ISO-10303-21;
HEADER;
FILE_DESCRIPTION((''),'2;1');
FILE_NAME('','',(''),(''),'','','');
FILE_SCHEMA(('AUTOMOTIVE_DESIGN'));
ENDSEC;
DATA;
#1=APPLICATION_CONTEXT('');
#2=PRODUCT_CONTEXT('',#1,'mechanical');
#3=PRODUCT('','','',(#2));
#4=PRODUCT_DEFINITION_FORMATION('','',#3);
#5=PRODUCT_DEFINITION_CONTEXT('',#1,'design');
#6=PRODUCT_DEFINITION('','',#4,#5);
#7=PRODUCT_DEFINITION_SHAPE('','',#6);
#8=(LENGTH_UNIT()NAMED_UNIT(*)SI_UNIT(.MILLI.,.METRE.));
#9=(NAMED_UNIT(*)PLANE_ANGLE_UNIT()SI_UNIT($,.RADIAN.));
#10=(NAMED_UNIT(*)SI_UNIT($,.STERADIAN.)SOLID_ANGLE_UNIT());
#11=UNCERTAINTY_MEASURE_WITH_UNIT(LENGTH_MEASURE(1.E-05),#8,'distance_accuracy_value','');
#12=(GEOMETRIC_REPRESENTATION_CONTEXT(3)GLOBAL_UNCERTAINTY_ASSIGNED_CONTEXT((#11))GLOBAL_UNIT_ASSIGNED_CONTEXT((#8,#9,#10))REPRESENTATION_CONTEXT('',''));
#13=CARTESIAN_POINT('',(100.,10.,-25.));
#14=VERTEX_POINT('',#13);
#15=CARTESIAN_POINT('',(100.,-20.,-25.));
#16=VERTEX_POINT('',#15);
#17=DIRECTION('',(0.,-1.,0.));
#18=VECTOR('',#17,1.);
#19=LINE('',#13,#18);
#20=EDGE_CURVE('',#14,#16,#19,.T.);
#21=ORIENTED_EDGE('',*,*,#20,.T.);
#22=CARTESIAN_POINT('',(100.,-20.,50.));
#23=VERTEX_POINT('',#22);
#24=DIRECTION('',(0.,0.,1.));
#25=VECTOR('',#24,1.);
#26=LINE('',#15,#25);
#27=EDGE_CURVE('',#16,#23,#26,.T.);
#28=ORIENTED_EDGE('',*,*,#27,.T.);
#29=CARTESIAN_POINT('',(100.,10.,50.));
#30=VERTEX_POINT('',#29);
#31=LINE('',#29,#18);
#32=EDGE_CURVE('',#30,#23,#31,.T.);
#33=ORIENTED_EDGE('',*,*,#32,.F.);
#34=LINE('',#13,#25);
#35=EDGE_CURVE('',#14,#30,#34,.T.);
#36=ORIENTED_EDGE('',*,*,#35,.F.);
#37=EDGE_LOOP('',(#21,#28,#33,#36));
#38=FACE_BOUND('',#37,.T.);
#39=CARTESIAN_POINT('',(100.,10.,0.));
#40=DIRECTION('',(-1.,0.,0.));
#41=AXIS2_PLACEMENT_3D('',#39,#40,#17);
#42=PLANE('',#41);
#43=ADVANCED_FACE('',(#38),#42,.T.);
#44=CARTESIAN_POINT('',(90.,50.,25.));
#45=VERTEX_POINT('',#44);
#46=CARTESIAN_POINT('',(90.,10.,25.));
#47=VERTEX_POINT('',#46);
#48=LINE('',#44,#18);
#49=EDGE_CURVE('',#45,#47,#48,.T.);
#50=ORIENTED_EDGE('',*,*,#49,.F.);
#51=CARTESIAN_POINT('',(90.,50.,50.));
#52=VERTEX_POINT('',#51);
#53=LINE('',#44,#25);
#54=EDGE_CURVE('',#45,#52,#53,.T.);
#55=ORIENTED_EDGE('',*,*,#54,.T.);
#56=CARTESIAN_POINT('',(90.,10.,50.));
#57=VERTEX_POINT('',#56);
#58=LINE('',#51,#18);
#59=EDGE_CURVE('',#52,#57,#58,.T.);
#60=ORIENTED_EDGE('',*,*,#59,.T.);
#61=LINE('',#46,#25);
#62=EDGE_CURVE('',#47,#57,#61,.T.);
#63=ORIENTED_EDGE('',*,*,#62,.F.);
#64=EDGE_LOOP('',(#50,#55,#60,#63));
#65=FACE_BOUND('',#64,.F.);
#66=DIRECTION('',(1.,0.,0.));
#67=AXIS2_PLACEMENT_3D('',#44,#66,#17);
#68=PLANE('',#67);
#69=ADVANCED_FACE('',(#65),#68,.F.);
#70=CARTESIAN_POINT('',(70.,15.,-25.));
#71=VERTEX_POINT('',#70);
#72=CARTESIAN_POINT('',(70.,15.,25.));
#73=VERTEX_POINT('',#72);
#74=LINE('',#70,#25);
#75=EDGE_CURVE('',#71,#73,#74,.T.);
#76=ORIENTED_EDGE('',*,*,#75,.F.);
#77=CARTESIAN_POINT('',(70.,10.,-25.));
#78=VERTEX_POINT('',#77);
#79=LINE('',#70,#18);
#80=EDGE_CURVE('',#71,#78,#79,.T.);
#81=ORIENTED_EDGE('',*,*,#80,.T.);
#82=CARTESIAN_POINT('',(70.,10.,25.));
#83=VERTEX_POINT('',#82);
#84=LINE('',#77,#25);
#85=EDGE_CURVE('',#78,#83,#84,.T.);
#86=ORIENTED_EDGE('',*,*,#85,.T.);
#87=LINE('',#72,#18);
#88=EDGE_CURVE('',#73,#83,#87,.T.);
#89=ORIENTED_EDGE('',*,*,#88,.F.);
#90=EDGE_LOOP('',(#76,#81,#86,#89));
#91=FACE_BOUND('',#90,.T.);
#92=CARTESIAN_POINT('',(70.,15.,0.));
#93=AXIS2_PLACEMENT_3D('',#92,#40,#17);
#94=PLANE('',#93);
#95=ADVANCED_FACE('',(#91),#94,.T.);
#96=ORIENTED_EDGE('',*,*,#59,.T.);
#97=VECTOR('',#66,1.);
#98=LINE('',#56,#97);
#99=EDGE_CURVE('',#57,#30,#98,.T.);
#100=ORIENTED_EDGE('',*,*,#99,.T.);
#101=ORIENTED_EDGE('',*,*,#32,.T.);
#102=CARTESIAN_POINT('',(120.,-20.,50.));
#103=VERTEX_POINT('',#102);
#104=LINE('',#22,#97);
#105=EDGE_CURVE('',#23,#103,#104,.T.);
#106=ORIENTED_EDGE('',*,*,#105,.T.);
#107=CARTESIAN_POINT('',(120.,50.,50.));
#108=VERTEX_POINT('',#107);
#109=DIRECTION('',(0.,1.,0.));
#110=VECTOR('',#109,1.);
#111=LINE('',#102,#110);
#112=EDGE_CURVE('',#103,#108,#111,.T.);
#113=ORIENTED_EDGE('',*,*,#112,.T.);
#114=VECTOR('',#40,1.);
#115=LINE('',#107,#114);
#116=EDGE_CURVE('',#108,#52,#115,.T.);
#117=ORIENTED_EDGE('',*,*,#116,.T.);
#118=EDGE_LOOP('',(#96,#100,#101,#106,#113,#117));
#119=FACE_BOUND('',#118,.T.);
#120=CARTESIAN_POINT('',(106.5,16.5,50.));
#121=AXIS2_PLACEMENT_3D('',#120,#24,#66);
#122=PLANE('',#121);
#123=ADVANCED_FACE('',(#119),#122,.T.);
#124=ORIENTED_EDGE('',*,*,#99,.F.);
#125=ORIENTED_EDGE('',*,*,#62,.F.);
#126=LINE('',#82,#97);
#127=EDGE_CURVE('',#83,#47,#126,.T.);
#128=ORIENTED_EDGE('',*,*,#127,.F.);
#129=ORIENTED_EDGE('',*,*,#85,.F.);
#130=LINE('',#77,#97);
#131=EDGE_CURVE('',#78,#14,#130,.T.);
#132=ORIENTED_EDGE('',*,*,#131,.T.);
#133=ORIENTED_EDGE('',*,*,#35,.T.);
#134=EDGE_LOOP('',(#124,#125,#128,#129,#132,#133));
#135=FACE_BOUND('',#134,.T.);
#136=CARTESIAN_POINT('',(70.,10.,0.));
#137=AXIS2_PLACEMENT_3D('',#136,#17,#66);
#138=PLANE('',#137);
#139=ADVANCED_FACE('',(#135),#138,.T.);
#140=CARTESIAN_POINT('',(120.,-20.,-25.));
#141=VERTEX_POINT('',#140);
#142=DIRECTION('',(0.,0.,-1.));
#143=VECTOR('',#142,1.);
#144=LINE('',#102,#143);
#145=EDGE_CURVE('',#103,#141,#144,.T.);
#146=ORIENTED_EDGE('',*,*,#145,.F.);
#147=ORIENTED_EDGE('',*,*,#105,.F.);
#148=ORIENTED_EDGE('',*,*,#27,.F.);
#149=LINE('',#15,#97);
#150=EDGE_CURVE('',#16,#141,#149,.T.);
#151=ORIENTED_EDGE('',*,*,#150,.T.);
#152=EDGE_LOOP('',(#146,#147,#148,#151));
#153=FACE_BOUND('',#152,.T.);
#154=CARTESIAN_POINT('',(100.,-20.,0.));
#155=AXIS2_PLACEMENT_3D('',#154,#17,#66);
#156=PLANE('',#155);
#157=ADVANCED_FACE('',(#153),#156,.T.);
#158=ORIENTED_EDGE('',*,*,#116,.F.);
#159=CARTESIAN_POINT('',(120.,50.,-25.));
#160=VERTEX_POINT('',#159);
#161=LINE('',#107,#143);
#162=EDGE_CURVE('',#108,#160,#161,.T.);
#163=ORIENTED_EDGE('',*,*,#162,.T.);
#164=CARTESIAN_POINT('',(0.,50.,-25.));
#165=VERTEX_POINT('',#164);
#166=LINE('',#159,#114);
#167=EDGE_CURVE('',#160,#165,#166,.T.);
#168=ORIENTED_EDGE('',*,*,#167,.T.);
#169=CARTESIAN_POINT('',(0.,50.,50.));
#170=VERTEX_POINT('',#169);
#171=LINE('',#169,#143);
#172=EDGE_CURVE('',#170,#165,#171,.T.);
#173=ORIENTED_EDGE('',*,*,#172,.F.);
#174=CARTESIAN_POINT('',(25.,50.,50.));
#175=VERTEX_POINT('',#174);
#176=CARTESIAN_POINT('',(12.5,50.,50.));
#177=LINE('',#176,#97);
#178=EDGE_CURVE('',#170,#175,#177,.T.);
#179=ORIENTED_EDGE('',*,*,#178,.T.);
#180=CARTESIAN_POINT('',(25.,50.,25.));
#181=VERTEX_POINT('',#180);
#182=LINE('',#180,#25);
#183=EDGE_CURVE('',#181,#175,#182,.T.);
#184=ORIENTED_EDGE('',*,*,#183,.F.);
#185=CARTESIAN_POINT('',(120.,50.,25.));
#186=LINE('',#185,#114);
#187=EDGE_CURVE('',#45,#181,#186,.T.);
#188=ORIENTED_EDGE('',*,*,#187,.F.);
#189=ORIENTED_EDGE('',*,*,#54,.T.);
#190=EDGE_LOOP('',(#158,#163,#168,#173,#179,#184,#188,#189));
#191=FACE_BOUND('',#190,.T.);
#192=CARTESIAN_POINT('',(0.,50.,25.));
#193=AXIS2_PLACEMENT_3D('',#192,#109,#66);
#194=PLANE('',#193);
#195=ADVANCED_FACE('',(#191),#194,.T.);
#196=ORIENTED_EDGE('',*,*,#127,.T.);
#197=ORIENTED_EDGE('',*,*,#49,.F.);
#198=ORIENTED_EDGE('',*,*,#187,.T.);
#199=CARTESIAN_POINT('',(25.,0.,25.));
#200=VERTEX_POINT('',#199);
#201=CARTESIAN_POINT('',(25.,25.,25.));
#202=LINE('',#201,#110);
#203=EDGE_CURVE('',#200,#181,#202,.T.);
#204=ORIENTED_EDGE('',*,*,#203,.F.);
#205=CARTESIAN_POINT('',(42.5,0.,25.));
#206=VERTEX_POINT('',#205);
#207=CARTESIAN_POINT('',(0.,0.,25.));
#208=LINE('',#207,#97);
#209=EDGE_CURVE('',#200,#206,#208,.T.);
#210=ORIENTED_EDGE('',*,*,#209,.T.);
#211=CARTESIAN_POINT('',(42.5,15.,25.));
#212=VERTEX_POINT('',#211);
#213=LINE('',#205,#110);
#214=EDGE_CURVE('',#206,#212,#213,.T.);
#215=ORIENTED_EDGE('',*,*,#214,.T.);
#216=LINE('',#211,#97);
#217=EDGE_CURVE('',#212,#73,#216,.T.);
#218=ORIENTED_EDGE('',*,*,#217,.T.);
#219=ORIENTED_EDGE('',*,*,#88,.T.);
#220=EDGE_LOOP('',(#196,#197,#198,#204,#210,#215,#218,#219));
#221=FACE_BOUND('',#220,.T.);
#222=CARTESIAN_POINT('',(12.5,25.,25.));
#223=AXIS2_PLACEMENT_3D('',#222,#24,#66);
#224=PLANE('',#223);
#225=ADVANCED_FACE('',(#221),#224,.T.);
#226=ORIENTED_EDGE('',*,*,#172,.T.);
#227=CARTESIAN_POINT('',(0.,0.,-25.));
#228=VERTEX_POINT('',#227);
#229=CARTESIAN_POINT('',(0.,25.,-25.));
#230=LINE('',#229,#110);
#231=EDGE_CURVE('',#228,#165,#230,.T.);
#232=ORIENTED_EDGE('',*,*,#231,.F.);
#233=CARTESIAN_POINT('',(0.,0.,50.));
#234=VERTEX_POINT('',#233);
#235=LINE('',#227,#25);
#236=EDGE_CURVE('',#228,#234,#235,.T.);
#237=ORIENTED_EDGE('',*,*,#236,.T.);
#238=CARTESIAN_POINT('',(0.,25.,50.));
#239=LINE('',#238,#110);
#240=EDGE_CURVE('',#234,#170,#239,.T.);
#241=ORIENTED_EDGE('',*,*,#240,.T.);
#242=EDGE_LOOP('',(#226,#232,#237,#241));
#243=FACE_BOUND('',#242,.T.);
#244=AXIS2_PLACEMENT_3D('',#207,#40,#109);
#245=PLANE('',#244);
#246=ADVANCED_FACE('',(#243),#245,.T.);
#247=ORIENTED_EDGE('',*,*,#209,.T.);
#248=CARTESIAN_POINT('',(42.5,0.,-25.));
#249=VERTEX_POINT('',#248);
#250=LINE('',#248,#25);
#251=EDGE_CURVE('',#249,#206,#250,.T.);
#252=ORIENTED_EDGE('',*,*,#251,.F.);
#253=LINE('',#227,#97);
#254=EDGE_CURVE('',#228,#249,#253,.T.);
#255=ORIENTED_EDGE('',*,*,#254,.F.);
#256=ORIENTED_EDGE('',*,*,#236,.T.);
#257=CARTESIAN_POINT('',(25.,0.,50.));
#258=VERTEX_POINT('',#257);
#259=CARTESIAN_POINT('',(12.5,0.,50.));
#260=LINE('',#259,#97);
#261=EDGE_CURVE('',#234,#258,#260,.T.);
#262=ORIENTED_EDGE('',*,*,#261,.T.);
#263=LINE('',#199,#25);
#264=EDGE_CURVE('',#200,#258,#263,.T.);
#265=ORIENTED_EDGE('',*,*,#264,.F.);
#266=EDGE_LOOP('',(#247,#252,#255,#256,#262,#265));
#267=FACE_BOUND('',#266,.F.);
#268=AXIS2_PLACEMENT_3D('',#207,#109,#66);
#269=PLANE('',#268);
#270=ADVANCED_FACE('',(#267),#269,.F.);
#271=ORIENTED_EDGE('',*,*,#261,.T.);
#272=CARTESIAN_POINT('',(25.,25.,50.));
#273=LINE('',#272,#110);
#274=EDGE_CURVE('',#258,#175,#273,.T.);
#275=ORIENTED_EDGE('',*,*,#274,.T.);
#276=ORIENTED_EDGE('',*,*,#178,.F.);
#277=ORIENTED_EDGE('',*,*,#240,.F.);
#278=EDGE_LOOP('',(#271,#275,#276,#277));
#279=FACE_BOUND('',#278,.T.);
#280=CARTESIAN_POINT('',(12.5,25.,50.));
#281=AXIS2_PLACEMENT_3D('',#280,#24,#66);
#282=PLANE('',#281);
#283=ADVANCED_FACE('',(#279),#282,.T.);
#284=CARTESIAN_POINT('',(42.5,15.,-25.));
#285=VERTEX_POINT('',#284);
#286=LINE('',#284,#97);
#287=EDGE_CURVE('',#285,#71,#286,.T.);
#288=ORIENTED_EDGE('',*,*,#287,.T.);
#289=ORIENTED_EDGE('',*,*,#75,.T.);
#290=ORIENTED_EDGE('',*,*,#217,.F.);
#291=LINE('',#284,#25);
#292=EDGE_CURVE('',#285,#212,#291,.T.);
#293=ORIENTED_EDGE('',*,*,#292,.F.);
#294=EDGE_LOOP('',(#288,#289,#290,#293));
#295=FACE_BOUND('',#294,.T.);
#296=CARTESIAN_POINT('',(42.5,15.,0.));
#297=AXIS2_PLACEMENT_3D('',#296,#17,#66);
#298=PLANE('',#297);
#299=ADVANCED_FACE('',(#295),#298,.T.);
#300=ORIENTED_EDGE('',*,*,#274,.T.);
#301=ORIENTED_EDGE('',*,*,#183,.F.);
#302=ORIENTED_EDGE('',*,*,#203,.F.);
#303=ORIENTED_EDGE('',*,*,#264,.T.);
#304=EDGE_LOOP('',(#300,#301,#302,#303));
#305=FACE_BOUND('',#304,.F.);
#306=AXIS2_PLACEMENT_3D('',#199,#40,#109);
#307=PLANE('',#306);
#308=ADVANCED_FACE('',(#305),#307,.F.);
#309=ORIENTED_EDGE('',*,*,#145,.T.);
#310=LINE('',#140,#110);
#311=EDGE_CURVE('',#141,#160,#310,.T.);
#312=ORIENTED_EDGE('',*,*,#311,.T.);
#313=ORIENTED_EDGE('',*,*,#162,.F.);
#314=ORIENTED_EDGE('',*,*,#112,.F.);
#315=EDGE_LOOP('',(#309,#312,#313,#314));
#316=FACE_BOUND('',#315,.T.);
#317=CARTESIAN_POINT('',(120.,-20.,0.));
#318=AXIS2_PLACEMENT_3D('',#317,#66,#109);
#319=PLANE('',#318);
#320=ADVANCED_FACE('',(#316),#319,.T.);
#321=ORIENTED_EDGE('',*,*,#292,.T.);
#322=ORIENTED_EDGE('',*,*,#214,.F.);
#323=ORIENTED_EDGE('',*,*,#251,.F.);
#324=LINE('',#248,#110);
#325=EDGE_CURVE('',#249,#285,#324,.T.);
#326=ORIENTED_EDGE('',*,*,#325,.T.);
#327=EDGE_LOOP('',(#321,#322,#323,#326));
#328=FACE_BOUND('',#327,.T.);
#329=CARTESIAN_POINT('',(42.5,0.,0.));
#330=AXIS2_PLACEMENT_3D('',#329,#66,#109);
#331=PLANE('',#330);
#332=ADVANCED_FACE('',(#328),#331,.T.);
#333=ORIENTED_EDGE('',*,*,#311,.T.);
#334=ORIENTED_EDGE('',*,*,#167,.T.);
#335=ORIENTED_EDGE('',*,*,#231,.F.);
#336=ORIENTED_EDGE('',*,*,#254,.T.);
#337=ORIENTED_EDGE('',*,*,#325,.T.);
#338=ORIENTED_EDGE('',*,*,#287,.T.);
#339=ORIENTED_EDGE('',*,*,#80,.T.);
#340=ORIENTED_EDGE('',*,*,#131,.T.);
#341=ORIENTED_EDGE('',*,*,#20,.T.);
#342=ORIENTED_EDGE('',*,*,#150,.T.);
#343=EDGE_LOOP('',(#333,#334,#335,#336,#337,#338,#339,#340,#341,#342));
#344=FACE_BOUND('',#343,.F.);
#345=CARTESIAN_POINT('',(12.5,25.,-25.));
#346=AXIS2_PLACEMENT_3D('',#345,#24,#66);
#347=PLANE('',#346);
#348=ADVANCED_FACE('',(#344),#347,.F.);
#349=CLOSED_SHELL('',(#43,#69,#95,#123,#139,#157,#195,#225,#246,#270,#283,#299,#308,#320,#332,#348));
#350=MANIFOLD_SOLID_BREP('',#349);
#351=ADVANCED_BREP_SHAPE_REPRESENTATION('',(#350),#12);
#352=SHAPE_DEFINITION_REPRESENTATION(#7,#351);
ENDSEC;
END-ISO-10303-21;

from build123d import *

# Parameters (mm, degrees)
F0_W     = 25
F0_H     = 50
F1_DEPTH = 25
F2_W     = 25
F2_H     = 50
F3_DEPTH = 25


with BuildPart() as f1:
    # F0 (on Top) → F1 (new body, symmetric)
    with BuildSketch(Plane.XY):
        with Locations((12.5, 25)):
            Rectangle(F0_W, F0_H)
        Polygon((25, 50), (25, 0), (42.5, 0), (42.5, 15), (70, 15), (70, 10), (100, 10), (100, -20), (120, -20), (120, 50), align=None)
    extrude(amount=F1_DEPTH, both=True)

    # F2 (on face) → F3 (join)
    with BuildSketch(Plane.XY.offset(25)):
        with Locations((12.5, 25)):
            Rectangle(F2_W, F2_H)
        Polygon((100, -20), (120, -20), (120, 50), (90, 50), (90, 10), (100, 10), align=None)
    extrude(amount=F3_DEPTH)


solid = f1.part
